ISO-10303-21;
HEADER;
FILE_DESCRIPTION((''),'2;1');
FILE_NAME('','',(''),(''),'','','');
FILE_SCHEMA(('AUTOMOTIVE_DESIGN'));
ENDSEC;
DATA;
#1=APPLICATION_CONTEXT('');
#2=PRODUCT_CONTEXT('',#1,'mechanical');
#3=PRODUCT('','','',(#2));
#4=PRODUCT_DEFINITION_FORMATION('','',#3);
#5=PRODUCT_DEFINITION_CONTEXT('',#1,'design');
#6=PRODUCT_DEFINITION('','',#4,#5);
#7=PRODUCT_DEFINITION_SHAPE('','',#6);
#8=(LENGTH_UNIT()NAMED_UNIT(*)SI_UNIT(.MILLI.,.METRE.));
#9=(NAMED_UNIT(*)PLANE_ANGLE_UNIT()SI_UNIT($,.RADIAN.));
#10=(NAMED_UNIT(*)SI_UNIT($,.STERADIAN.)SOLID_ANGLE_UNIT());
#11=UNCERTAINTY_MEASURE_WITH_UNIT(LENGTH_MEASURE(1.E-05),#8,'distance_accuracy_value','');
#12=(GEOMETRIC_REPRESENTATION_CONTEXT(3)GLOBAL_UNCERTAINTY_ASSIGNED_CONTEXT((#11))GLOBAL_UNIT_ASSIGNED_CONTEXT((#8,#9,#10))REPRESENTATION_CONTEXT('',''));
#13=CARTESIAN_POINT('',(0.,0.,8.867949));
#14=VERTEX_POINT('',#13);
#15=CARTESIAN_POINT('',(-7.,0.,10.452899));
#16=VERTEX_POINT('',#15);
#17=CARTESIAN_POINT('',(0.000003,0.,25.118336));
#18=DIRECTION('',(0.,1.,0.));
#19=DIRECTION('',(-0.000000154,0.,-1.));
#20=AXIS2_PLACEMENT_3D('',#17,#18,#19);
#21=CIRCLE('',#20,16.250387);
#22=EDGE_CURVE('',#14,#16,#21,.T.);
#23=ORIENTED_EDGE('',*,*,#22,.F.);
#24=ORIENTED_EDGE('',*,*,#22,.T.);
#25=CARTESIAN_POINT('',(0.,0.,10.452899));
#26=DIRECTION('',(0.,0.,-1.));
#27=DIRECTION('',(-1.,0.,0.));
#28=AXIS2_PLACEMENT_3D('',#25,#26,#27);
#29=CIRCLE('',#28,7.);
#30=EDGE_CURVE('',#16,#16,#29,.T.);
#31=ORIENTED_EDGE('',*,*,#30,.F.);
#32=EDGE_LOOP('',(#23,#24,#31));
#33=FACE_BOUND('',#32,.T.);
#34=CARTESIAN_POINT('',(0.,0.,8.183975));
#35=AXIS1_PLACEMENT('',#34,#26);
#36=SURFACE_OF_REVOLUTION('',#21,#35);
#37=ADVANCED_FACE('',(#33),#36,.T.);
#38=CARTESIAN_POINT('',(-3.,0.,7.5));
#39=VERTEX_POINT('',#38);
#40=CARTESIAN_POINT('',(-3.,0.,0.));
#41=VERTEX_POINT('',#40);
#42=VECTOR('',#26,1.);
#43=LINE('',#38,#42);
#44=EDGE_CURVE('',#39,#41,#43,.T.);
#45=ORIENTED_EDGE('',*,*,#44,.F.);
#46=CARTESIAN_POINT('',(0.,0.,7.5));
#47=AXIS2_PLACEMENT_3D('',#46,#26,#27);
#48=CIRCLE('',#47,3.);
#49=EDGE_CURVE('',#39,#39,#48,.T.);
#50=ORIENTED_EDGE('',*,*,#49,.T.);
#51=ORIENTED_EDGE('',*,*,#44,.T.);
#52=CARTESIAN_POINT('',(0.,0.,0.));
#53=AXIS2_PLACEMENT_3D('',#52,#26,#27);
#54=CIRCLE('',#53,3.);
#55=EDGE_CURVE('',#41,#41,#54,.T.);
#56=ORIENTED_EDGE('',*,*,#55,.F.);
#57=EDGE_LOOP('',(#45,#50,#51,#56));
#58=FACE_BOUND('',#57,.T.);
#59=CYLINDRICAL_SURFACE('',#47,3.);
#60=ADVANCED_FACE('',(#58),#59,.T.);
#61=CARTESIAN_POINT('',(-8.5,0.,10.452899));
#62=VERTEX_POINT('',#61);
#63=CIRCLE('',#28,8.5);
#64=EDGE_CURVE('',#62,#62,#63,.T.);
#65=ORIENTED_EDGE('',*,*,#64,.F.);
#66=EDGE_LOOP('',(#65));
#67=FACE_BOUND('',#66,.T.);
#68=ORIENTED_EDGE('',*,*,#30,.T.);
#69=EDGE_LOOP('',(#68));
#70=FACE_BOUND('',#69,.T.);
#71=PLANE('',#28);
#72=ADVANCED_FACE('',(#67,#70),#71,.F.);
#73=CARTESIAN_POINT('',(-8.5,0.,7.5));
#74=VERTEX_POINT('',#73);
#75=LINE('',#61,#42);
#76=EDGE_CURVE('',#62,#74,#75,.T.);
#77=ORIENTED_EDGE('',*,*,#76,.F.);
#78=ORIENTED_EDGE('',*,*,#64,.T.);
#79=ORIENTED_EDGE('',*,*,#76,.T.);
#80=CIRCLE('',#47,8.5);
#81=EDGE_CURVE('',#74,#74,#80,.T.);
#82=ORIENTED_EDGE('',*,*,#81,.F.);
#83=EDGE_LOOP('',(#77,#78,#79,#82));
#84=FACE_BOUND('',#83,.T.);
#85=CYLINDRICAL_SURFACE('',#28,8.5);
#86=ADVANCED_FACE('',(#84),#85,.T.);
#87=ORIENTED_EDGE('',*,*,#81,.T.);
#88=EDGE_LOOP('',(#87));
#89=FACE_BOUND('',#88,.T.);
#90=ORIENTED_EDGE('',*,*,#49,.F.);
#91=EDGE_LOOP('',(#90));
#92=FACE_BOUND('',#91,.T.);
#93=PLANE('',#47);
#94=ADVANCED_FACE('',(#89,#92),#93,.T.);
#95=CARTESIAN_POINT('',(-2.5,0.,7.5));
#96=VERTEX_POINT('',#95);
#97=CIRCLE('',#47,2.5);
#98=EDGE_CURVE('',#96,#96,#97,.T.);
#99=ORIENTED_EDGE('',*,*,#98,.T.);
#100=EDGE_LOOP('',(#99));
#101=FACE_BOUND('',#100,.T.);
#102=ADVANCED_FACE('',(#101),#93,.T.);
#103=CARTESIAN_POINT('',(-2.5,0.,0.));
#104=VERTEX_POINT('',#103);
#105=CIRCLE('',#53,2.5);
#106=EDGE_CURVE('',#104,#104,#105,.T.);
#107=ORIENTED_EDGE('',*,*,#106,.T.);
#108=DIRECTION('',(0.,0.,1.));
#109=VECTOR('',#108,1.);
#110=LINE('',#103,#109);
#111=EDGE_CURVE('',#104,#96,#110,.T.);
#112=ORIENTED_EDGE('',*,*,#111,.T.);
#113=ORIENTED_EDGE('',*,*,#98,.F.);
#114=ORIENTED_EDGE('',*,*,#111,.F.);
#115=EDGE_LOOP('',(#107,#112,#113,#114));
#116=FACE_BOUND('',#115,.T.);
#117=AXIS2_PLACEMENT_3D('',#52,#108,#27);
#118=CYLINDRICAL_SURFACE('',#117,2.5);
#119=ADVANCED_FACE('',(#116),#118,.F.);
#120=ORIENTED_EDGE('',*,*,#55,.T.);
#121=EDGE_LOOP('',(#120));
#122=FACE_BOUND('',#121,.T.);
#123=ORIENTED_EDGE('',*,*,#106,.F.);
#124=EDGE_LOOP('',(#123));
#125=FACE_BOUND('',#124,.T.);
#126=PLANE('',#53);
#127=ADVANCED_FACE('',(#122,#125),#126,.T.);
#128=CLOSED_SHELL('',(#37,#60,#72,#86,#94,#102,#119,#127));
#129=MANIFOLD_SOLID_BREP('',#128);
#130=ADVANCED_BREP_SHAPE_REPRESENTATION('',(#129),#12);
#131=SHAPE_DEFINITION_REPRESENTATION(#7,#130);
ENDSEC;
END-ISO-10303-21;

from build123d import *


with BuildPart() as f1:
    # F0 (on Front) → F1 (revolve)
    with BuildSketch(Plane.XZ):
        with BuildLine():
            Line((-3, 7.5), (-3, 0))
            Line((-3, 0), (-2.5, 0))
            Line((-2.5, 0), (-2.5, 7.5))
            Line((-2.5, 7.5), (0, 7.5))
            Line((0, 7.5), (0, 8.867949))
            ThreePointArc((0, 8.867949), (-3.588595, 9.269139), (-7, 10.452899))
            Line((-7, 10.452899), (-8.5, 10.452899))
            Line((-8.5, 10.452899), (-8.5, 7.5))
            Line((-8.5, 7.5), (-3, 7.5))
        make_face()
    revolve(axis=Axis((0, 0, 8.183975), (0, 0, -1)))


solid = f1.part
